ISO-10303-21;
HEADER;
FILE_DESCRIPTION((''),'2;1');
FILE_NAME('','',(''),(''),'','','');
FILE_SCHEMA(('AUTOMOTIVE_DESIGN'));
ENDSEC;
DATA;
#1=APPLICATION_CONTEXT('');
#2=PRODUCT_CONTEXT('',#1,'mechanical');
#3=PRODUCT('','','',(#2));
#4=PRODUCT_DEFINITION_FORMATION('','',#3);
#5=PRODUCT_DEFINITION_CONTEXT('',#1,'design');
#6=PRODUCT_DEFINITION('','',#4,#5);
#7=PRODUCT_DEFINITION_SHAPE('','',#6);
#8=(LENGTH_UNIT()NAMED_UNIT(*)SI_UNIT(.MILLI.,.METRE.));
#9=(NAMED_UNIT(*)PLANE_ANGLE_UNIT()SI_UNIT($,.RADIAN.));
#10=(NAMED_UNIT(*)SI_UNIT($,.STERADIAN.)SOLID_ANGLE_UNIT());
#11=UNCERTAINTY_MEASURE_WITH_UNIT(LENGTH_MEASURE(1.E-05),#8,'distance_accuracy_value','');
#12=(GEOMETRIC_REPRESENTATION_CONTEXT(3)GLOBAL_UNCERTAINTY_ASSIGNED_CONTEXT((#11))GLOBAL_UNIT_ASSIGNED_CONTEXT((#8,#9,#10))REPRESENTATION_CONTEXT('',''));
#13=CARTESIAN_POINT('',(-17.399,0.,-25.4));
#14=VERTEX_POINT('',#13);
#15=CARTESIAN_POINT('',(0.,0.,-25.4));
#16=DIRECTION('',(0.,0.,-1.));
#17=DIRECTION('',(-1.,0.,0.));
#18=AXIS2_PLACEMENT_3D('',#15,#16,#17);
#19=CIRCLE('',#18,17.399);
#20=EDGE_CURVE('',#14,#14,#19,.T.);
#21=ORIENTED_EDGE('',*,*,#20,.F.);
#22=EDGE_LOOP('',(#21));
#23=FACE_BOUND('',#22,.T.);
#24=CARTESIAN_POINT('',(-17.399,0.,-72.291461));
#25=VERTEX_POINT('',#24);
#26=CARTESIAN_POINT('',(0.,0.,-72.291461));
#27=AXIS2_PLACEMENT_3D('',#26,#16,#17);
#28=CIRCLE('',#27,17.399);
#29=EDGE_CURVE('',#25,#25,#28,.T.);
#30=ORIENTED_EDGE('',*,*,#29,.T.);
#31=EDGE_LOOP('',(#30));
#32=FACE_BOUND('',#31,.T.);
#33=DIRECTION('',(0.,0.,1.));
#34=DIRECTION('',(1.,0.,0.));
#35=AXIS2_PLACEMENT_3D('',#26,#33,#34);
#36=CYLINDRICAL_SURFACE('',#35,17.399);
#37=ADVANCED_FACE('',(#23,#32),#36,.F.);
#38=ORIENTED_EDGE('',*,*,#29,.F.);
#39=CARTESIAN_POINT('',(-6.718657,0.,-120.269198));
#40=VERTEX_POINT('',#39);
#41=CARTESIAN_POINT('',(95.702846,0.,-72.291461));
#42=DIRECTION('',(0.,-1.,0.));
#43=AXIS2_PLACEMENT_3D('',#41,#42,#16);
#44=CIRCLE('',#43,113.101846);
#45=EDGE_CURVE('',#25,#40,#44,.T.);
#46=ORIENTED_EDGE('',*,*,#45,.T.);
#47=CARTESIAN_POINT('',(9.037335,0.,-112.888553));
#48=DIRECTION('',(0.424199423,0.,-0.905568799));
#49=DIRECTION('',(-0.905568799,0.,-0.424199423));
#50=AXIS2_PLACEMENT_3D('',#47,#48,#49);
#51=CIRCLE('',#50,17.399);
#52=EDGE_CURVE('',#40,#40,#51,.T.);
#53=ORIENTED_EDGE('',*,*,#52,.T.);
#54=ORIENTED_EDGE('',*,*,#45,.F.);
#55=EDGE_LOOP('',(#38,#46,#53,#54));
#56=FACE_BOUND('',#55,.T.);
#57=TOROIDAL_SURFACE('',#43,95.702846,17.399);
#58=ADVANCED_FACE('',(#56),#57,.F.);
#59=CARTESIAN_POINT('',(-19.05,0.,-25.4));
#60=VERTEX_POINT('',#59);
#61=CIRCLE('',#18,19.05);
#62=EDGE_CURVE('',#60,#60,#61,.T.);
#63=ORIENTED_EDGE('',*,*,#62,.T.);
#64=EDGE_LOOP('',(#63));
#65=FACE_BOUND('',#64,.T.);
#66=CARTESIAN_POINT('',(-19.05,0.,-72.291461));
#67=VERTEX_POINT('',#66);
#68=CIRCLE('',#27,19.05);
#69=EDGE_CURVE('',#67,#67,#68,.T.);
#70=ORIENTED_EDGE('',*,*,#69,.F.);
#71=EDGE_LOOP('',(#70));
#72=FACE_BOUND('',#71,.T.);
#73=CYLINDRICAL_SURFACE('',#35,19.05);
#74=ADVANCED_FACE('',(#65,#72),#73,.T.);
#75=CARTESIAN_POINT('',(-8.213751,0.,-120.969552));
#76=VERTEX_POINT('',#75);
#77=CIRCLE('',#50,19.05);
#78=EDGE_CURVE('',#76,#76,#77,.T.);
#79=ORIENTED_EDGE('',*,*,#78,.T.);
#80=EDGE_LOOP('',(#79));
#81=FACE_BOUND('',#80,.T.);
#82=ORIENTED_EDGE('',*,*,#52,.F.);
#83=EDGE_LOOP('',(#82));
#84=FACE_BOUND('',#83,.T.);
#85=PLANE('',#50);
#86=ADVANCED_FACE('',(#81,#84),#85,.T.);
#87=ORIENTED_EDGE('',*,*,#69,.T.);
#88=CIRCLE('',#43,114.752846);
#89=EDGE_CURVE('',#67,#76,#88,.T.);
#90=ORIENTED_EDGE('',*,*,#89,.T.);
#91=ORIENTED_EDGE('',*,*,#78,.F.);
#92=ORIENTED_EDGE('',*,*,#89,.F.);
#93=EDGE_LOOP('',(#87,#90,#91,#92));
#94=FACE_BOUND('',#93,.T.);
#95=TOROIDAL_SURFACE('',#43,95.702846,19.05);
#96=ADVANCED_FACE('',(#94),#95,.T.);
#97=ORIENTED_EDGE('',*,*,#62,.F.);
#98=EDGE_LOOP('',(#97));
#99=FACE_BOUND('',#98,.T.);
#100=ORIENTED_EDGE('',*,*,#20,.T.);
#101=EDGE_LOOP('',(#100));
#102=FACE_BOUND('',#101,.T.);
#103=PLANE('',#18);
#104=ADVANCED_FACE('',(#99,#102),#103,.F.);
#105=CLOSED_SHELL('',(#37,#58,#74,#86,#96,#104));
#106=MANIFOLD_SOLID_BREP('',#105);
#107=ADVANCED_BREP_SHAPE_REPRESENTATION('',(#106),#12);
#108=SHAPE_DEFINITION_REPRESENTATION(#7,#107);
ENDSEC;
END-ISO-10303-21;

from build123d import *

# Parameters (mm, degrees)
SKETCH2_R   = 19.05
SKETCH2_R_2 = 17.399


with BuildPart() as part:
    # Sweep1: sweep along a path in Sketch1
    with BuildLine(Plane(origin=(0, 0, 0), x_dir=(1, 0, 0), z_dir=(0, 1, 0))) as sweep1_path:
        Line((0, 25.4), (0, 72.291460583))
        ThreePointArc((0, 72.291460583), (2.286651426, 93.086876486), (9.037334662, 112.888552505))
    # Sketch2 → Sweep1 (sweep)
    with BuildSketch(Plane(origin=(0, 0, -25.4), x_dir=(-1, 0, 0), z_dir=(0, 0, -1))):
        Circle(SKETCH2_R)
        Circle(SKETCH2_R_2, mode=Mode.SUBTRACT)
    sweep(path=sweep1_path.line)


solid = part.part
